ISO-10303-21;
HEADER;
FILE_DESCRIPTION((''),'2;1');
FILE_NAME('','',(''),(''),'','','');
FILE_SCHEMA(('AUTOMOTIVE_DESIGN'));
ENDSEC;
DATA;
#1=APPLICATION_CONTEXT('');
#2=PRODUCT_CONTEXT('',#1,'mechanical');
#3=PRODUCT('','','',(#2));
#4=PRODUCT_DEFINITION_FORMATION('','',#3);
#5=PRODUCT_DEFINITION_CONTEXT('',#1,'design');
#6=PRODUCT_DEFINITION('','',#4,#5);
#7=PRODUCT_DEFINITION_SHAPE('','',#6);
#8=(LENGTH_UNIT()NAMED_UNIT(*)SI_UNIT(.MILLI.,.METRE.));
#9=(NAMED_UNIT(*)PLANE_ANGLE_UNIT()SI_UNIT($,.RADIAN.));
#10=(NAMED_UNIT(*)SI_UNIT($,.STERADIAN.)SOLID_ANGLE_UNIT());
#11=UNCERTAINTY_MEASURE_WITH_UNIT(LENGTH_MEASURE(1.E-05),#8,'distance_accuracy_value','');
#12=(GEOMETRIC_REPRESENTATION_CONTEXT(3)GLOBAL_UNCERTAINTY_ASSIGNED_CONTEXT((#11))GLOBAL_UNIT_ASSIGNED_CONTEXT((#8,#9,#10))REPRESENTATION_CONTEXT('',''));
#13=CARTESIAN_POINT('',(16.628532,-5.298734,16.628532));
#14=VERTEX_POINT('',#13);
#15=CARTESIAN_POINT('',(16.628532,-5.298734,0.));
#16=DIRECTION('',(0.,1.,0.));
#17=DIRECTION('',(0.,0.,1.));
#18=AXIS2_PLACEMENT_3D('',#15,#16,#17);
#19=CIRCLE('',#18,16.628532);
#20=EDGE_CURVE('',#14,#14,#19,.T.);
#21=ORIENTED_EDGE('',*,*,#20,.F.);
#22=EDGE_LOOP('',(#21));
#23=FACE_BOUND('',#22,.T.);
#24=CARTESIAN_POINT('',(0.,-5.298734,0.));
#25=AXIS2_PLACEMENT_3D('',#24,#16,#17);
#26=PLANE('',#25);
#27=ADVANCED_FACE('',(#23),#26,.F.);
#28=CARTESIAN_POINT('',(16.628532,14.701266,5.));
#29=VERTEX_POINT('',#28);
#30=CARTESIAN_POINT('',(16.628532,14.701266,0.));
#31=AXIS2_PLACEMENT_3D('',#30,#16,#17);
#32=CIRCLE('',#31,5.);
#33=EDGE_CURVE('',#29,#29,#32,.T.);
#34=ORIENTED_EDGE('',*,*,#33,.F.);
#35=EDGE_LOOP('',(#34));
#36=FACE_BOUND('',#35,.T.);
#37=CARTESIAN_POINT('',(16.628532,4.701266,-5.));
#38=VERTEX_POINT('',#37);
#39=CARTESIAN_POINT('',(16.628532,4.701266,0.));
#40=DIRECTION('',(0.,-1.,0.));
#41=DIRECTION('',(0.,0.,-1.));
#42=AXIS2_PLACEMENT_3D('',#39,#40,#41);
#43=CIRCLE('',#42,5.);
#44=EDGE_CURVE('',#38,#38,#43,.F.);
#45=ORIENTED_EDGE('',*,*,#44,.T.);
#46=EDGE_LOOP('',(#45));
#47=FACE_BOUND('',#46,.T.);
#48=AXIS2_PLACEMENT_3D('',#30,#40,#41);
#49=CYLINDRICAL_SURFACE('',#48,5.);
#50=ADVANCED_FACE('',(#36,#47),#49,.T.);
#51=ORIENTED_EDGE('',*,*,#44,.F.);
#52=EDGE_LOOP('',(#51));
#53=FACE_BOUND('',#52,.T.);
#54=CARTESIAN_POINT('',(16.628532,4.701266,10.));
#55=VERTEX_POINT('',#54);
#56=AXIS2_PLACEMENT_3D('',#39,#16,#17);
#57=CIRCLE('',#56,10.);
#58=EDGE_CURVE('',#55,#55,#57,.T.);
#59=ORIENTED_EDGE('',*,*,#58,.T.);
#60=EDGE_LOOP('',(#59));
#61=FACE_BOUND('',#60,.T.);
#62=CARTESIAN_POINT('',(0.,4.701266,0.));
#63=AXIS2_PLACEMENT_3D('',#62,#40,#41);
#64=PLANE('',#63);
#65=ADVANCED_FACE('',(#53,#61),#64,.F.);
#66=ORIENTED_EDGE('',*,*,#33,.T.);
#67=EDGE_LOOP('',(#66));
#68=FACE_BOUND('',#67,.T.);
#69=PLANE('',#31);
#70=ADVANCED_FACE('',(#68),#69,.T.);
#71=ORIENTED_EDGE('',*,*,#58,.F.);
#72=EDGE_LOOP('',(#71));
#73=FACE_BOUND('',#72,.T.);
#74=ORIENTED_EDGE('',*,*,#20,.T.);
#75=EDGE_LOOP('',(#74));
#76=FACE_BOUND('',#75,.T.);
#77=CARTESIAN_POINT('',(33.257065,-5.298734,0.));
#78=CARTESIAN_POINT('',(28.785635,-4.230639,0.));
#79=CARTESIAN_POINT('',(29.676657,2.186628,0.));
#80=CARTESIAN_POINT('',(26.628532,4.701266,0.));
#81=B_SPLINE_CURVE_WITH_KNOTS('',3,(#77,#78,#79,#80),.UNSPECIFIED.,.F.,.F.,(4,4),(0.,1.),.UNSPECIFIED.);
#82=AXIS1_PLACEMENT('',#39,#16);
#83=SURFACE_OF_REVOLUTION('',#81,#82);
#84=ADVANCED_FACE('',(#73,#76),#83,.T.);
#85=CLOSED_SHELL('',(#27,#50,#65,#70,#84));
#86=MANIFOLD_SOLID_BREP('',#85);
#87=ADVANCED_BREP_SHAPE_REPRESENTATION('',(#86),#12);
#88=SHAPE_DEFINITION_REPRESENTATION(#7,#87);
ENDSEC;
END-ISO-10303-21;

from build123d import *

# Parameters (mm, degrees)
ESQUISSE2_R        = 5
BOSS_EXTRU_1_DEPTH = 10


with BuildPart() as part:
    # Esquisse1 one side → Révolution2 (revolve)
    with BuildSketch(Plane.XY):
        with BuildLine():
            Line((16.628532392, 4.701265773), (16.628532392, -5.298734227))
            Line((16.628532392, -5.298734227), (33.257064783, -5.298734227))
            add(Edge.make_bspline(
                [(33.257064783, -5.298734227), (28.785635181, -4.230639153), (29.676657005, 2.186628343), (26.628532392, 4.701265773)],
                knots=[0, 0, 0, 0, 1, 1, 1, 1], degree=3))
            Line((26.628532392, 4.701265773), (21.628532392, 4.701265773))
            Line((21.628532392, 4.701265773), (16.628532392, 4.701265773))
        make_face()
    revolve(axis=Axis((16.628532392, 4.701265773, 0), (0, -1, 0)))

    # Esquisse2 → Boss.-Extru.1 (add)
    with BuildSketch(Plane(origin=(0, 4.701265773, 0), x_dir=(1, 0, 0), z_dir=(0, 1, 0))):
        with Locations(Location((16.628532392, 0, 0), (0, 0, 90))):
            Circle(ESQUISSE2_R)
    extrude(amount=BOSS_EXTRU_1_DEPTH)


solid = part.part
